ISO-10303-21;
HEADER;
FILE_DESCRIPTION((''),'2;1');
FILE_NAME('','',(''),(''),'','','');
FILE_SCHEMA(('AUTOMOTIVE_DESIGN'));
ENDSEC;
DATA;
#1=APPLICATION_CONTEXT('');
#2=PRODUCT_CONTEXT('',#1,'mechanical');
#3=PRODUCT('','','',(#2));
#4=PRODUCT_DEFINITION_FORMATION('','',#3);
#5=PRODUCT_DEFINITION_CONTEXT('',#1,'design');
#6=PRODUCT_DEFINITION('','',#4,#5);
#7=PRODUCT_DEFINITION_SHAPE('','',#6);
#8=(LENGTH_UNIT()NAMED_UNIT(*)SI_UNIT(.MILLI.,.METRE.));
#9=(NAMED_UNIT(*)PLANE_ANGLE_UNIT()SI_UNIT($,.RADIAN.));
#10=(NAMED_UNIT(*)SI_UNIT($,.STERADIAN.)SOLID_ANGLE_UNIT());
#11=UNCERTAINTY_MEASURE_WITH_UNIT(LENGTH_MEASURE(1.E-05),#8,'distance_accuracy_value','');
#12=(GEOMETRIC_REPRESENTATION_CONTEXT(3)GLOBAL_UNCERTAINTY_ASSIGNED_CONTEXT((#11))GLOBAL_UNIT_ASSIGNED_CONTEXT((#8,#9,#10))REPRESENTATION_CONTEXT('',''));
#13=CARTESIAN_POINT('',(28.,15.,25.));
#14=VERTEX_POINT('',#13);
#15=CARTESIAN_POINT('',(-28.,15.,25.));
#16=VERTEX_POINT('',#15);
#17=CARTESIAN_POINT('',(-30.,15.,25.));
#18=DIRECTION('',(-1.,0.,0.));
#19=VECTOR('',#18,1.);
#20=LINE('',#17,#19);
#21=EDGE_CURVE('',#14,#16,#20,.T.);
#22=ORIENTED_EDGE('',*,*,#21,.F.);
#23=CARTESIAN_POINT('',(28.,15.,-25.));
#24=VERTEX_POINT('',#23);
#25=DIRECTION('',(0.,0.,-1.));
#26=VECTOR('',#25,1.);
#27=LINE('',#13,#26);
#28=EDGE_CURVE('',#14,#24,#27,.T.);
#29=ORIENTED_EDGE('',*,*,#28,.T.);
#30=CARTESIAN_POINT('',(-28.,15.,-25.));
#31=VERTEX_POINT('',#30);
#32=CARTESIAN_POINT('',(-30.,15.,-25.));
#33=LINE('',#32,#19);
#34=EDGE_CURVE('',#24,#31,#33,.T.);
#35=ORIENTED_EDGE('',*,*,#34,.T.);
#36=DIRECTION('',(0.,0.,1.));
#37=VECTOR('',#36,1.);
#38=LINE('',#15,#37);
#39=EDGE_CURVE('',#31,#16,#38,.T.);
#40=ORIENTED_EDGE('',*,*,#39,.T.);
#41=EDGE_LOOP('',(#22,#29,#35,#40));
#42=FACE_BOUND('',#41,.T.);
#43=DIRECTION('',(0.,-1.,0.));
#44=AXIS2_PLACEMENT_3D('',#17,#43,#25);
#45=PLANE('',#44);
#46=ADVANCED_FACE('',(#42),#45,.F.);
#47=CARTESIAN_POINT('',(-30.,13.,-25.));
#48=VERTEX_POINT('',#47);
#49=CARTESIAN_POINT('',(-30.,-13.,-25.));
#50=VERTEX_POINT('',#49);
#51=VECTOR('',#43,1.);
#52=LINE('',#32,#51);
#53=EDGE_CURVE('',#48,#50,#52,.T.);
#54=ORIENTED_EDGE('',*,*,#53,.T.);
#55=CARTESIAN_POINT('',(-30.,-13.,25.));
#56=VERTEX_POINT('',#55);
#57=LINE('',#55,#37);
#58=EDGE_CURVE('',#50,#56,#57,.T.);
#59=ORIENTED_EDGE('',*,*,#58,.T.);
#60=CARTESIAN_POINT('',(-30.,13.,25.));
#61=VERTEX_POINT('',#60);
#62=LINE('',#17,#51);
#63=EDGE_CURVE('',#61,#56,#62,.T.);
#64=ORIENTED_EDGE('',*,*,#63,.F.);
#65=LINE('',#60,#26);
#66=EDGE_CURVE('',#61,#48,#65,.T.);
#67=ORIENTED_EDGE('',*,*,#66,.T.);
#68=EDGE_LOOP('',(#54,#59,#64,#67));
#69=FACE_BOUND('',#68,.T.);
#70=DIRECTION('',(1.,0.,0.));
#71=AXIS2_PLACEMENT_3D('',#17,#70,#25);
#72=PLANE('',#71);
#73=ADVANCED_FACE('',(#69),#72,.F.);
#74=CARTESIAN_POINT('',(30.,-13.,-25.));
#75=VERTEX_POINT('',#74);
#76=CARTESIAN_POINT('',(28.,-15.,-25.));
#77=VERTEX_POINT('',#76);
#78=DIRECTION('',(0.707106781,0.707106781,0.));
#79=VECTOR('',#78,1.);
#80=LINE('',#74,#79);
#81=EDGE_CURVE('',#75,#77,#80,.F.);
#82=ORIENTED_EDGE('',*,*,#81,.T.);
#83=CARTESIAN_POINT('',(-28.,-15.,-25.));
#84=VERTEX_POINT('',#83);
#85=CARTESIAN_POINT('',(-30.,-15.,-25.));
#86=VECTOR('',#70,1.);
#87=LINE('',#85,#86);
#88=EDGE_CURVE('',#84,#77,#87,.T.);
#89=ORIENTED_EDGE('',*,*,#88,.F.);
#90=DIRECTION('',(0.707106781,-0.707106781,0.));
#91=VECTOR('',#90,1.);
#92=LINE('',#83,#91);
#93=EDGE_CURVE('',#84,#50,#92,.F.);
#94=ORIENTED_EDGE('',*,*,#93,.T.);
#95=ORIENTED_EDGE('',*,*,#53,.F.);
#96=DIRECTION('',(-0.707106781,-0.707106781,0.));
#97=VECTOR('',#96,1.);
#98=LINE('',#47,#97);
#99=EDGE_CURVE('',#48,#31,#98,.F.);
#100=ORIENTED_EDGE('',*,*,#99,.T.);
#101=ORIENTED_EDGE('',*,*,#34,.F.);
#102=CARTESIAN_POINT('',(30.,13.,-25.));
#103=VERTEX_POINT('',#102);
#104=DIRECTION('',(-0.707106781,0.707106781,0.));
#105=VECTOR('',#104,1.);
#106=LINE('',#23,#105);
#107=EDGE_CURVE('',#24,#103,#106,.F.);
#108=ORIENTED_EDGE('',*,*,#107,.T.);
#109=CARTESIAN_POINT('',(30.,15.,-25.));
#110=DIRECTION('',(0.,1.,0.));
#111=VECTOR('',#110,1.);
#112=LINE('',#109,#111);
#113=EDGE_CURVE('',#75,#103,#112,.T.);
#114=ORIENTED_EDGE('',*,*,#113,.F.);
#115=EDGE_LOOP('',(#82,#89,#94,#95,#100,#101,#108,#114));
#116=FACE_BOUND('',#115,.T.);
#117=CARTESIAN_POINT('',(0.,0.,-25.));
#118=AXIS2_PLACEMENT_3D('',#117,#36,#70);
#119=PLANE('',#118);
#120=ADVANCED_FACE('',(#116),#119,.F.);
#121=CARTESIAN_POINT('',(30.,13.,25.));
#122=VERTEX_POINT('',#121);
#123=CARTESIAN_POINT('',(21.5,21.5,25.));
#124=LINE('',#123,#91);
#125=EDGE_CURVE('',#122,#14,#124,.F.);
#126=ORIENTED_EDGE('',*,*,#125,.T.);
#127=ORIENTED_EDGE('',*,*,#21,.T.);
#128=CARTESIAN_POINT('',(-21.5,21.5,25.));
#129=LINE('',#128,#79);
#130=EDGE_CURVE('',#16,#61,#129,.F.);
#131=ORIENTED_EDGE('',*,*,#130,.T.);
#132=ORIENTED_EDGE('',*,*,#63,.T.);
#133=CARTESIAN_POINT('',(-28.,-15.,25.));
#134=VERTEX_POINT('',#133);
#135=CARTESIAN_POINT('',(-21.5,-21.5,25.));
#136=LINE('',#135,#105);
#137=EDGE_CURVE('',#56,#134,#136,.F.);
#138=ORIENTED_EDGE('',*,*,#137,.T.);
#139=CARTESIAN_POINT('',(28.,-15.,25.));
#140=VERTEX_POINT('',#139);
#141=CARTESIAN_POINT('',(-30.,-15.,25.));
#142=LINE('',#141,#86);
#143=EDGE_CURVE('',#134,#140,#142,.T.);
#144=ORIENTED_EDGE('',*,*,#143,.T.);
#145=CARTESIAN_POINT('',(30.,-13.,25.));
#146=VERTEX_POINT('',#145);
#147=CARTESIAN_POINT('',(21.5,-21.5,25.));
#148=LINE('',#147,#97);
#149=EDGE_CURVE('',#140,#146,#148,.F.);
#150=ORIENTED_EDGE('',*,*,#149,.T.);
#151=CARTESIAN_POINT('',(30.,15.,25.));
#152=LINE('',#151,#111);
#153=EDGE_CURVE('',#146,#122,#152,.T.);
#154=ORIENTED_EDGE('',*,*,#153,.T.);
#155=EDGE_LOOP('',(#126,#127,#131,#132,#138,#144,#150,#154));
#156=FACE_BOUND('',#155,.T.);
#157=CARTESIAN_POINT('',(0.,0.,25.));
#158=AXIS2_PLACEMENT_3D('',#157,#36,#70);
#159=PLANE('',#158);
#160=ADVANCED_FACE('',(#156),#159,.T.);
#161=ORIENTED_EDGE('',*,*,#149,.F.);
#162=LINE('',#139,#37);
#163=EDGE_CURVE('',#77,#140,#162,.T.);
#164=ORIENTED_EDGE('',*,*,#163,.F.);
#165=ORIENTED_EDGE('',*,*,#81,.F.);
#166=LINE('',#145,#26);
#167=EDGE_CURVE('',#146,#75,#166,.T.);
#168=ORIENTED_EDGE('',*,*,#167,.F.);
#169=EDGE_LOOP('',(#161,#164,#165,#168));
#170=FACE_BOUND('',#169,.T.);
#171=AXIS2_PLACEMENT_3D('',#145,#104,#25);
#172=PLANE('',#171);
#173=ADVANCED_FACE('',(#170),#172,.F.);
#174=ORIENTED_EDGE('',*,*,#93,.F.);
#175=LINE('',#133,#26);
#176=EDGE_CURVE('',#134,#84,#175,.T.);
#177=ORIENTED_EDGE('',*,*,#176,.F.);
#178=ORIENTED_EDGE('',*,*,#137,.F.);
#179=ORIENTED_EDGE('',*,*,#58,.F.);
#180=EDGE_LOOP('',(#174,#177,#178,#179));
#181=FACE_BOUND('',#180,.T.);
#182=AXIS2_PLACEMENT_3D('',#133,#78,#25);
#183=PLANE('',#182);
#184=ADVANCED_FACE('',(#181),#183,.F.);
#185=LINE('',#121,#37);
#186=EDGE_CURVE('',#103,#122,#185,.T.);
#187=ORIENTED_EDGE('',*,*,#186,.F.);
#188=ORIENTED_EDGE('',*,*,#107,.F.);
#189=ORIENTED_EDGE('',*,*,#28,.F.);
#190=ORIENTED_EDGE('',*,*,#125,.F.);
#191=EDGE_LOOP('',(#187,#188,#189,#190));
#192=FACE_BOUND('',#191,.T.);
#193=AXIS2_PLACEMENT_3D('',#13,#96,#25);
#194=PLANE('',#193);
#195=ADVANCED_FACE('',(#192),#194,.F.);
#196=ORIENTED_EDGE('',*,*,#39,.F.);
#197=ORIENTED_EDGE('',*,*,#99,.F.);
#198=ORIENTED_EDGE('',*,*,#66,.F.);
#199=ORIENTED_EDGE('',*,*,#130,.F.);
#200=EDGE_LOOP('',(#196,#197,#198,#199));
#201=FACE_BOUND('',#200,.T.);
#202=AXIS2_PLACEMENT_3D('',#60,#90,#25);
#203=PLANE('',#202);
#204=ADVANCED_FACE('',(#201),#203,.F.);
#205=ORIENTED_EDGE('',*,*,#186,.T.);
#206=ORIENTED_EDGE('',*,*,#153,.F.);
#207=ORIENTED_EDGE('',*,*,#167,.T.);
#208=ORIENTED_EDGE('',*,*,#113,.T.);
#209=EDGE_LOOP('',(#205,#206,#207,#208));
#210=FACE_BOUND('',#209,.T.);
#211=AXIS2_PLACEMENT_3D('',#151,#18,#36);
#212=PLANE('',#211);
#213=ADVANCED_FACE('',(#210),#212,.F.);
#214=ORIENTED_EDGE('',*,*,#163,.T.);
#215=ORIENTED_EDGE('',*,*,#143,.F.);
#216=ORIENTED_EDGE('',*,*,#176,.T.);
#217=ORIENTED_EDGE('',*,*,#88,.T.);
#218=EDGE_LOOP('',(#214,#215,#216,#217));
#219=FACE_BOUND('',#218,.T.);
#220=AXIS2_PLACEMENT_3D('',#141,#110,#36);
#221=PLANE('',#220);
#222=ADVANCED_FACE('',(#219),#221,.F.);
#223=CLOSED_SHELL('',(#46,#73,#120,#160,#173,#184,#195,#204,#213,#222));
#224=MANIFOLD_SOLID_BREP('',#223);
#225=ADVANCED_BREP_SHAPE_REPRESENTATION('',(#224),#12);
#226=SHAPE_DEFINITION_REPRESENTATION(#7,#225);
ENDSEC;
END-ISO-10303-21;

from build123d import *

# Parameters (mm, degrees)
SKETCH_1_W      = 60
SKETCH_1_H      = 30
EXTRUDE_1_DEPTH = 25
CHAMFER_1_SIZE  = 2


with BuildPart() as part:
    # 草图1 → 凸台-拉伸1 (new, symmetric)
    with BuildSketch(Plane.XY):
        Rectangle(SKETCH_1_W, SKETCH_1_H)
    extrude(amount=EXTRUDE_1_DEPTH, both=True)

    # 倒角1
    chamfer_1_edges = [part.edges().sort_by_distance(p)[0] for p in [
        (30, -15, 0),
        (-30, -15, 0),
        (-30, 15, 0),
        (30, 15, 0),
    ]]
    chamfer(chamfer_1_edges, length=CHAMFER_1_SIZE)


solid = part.part
